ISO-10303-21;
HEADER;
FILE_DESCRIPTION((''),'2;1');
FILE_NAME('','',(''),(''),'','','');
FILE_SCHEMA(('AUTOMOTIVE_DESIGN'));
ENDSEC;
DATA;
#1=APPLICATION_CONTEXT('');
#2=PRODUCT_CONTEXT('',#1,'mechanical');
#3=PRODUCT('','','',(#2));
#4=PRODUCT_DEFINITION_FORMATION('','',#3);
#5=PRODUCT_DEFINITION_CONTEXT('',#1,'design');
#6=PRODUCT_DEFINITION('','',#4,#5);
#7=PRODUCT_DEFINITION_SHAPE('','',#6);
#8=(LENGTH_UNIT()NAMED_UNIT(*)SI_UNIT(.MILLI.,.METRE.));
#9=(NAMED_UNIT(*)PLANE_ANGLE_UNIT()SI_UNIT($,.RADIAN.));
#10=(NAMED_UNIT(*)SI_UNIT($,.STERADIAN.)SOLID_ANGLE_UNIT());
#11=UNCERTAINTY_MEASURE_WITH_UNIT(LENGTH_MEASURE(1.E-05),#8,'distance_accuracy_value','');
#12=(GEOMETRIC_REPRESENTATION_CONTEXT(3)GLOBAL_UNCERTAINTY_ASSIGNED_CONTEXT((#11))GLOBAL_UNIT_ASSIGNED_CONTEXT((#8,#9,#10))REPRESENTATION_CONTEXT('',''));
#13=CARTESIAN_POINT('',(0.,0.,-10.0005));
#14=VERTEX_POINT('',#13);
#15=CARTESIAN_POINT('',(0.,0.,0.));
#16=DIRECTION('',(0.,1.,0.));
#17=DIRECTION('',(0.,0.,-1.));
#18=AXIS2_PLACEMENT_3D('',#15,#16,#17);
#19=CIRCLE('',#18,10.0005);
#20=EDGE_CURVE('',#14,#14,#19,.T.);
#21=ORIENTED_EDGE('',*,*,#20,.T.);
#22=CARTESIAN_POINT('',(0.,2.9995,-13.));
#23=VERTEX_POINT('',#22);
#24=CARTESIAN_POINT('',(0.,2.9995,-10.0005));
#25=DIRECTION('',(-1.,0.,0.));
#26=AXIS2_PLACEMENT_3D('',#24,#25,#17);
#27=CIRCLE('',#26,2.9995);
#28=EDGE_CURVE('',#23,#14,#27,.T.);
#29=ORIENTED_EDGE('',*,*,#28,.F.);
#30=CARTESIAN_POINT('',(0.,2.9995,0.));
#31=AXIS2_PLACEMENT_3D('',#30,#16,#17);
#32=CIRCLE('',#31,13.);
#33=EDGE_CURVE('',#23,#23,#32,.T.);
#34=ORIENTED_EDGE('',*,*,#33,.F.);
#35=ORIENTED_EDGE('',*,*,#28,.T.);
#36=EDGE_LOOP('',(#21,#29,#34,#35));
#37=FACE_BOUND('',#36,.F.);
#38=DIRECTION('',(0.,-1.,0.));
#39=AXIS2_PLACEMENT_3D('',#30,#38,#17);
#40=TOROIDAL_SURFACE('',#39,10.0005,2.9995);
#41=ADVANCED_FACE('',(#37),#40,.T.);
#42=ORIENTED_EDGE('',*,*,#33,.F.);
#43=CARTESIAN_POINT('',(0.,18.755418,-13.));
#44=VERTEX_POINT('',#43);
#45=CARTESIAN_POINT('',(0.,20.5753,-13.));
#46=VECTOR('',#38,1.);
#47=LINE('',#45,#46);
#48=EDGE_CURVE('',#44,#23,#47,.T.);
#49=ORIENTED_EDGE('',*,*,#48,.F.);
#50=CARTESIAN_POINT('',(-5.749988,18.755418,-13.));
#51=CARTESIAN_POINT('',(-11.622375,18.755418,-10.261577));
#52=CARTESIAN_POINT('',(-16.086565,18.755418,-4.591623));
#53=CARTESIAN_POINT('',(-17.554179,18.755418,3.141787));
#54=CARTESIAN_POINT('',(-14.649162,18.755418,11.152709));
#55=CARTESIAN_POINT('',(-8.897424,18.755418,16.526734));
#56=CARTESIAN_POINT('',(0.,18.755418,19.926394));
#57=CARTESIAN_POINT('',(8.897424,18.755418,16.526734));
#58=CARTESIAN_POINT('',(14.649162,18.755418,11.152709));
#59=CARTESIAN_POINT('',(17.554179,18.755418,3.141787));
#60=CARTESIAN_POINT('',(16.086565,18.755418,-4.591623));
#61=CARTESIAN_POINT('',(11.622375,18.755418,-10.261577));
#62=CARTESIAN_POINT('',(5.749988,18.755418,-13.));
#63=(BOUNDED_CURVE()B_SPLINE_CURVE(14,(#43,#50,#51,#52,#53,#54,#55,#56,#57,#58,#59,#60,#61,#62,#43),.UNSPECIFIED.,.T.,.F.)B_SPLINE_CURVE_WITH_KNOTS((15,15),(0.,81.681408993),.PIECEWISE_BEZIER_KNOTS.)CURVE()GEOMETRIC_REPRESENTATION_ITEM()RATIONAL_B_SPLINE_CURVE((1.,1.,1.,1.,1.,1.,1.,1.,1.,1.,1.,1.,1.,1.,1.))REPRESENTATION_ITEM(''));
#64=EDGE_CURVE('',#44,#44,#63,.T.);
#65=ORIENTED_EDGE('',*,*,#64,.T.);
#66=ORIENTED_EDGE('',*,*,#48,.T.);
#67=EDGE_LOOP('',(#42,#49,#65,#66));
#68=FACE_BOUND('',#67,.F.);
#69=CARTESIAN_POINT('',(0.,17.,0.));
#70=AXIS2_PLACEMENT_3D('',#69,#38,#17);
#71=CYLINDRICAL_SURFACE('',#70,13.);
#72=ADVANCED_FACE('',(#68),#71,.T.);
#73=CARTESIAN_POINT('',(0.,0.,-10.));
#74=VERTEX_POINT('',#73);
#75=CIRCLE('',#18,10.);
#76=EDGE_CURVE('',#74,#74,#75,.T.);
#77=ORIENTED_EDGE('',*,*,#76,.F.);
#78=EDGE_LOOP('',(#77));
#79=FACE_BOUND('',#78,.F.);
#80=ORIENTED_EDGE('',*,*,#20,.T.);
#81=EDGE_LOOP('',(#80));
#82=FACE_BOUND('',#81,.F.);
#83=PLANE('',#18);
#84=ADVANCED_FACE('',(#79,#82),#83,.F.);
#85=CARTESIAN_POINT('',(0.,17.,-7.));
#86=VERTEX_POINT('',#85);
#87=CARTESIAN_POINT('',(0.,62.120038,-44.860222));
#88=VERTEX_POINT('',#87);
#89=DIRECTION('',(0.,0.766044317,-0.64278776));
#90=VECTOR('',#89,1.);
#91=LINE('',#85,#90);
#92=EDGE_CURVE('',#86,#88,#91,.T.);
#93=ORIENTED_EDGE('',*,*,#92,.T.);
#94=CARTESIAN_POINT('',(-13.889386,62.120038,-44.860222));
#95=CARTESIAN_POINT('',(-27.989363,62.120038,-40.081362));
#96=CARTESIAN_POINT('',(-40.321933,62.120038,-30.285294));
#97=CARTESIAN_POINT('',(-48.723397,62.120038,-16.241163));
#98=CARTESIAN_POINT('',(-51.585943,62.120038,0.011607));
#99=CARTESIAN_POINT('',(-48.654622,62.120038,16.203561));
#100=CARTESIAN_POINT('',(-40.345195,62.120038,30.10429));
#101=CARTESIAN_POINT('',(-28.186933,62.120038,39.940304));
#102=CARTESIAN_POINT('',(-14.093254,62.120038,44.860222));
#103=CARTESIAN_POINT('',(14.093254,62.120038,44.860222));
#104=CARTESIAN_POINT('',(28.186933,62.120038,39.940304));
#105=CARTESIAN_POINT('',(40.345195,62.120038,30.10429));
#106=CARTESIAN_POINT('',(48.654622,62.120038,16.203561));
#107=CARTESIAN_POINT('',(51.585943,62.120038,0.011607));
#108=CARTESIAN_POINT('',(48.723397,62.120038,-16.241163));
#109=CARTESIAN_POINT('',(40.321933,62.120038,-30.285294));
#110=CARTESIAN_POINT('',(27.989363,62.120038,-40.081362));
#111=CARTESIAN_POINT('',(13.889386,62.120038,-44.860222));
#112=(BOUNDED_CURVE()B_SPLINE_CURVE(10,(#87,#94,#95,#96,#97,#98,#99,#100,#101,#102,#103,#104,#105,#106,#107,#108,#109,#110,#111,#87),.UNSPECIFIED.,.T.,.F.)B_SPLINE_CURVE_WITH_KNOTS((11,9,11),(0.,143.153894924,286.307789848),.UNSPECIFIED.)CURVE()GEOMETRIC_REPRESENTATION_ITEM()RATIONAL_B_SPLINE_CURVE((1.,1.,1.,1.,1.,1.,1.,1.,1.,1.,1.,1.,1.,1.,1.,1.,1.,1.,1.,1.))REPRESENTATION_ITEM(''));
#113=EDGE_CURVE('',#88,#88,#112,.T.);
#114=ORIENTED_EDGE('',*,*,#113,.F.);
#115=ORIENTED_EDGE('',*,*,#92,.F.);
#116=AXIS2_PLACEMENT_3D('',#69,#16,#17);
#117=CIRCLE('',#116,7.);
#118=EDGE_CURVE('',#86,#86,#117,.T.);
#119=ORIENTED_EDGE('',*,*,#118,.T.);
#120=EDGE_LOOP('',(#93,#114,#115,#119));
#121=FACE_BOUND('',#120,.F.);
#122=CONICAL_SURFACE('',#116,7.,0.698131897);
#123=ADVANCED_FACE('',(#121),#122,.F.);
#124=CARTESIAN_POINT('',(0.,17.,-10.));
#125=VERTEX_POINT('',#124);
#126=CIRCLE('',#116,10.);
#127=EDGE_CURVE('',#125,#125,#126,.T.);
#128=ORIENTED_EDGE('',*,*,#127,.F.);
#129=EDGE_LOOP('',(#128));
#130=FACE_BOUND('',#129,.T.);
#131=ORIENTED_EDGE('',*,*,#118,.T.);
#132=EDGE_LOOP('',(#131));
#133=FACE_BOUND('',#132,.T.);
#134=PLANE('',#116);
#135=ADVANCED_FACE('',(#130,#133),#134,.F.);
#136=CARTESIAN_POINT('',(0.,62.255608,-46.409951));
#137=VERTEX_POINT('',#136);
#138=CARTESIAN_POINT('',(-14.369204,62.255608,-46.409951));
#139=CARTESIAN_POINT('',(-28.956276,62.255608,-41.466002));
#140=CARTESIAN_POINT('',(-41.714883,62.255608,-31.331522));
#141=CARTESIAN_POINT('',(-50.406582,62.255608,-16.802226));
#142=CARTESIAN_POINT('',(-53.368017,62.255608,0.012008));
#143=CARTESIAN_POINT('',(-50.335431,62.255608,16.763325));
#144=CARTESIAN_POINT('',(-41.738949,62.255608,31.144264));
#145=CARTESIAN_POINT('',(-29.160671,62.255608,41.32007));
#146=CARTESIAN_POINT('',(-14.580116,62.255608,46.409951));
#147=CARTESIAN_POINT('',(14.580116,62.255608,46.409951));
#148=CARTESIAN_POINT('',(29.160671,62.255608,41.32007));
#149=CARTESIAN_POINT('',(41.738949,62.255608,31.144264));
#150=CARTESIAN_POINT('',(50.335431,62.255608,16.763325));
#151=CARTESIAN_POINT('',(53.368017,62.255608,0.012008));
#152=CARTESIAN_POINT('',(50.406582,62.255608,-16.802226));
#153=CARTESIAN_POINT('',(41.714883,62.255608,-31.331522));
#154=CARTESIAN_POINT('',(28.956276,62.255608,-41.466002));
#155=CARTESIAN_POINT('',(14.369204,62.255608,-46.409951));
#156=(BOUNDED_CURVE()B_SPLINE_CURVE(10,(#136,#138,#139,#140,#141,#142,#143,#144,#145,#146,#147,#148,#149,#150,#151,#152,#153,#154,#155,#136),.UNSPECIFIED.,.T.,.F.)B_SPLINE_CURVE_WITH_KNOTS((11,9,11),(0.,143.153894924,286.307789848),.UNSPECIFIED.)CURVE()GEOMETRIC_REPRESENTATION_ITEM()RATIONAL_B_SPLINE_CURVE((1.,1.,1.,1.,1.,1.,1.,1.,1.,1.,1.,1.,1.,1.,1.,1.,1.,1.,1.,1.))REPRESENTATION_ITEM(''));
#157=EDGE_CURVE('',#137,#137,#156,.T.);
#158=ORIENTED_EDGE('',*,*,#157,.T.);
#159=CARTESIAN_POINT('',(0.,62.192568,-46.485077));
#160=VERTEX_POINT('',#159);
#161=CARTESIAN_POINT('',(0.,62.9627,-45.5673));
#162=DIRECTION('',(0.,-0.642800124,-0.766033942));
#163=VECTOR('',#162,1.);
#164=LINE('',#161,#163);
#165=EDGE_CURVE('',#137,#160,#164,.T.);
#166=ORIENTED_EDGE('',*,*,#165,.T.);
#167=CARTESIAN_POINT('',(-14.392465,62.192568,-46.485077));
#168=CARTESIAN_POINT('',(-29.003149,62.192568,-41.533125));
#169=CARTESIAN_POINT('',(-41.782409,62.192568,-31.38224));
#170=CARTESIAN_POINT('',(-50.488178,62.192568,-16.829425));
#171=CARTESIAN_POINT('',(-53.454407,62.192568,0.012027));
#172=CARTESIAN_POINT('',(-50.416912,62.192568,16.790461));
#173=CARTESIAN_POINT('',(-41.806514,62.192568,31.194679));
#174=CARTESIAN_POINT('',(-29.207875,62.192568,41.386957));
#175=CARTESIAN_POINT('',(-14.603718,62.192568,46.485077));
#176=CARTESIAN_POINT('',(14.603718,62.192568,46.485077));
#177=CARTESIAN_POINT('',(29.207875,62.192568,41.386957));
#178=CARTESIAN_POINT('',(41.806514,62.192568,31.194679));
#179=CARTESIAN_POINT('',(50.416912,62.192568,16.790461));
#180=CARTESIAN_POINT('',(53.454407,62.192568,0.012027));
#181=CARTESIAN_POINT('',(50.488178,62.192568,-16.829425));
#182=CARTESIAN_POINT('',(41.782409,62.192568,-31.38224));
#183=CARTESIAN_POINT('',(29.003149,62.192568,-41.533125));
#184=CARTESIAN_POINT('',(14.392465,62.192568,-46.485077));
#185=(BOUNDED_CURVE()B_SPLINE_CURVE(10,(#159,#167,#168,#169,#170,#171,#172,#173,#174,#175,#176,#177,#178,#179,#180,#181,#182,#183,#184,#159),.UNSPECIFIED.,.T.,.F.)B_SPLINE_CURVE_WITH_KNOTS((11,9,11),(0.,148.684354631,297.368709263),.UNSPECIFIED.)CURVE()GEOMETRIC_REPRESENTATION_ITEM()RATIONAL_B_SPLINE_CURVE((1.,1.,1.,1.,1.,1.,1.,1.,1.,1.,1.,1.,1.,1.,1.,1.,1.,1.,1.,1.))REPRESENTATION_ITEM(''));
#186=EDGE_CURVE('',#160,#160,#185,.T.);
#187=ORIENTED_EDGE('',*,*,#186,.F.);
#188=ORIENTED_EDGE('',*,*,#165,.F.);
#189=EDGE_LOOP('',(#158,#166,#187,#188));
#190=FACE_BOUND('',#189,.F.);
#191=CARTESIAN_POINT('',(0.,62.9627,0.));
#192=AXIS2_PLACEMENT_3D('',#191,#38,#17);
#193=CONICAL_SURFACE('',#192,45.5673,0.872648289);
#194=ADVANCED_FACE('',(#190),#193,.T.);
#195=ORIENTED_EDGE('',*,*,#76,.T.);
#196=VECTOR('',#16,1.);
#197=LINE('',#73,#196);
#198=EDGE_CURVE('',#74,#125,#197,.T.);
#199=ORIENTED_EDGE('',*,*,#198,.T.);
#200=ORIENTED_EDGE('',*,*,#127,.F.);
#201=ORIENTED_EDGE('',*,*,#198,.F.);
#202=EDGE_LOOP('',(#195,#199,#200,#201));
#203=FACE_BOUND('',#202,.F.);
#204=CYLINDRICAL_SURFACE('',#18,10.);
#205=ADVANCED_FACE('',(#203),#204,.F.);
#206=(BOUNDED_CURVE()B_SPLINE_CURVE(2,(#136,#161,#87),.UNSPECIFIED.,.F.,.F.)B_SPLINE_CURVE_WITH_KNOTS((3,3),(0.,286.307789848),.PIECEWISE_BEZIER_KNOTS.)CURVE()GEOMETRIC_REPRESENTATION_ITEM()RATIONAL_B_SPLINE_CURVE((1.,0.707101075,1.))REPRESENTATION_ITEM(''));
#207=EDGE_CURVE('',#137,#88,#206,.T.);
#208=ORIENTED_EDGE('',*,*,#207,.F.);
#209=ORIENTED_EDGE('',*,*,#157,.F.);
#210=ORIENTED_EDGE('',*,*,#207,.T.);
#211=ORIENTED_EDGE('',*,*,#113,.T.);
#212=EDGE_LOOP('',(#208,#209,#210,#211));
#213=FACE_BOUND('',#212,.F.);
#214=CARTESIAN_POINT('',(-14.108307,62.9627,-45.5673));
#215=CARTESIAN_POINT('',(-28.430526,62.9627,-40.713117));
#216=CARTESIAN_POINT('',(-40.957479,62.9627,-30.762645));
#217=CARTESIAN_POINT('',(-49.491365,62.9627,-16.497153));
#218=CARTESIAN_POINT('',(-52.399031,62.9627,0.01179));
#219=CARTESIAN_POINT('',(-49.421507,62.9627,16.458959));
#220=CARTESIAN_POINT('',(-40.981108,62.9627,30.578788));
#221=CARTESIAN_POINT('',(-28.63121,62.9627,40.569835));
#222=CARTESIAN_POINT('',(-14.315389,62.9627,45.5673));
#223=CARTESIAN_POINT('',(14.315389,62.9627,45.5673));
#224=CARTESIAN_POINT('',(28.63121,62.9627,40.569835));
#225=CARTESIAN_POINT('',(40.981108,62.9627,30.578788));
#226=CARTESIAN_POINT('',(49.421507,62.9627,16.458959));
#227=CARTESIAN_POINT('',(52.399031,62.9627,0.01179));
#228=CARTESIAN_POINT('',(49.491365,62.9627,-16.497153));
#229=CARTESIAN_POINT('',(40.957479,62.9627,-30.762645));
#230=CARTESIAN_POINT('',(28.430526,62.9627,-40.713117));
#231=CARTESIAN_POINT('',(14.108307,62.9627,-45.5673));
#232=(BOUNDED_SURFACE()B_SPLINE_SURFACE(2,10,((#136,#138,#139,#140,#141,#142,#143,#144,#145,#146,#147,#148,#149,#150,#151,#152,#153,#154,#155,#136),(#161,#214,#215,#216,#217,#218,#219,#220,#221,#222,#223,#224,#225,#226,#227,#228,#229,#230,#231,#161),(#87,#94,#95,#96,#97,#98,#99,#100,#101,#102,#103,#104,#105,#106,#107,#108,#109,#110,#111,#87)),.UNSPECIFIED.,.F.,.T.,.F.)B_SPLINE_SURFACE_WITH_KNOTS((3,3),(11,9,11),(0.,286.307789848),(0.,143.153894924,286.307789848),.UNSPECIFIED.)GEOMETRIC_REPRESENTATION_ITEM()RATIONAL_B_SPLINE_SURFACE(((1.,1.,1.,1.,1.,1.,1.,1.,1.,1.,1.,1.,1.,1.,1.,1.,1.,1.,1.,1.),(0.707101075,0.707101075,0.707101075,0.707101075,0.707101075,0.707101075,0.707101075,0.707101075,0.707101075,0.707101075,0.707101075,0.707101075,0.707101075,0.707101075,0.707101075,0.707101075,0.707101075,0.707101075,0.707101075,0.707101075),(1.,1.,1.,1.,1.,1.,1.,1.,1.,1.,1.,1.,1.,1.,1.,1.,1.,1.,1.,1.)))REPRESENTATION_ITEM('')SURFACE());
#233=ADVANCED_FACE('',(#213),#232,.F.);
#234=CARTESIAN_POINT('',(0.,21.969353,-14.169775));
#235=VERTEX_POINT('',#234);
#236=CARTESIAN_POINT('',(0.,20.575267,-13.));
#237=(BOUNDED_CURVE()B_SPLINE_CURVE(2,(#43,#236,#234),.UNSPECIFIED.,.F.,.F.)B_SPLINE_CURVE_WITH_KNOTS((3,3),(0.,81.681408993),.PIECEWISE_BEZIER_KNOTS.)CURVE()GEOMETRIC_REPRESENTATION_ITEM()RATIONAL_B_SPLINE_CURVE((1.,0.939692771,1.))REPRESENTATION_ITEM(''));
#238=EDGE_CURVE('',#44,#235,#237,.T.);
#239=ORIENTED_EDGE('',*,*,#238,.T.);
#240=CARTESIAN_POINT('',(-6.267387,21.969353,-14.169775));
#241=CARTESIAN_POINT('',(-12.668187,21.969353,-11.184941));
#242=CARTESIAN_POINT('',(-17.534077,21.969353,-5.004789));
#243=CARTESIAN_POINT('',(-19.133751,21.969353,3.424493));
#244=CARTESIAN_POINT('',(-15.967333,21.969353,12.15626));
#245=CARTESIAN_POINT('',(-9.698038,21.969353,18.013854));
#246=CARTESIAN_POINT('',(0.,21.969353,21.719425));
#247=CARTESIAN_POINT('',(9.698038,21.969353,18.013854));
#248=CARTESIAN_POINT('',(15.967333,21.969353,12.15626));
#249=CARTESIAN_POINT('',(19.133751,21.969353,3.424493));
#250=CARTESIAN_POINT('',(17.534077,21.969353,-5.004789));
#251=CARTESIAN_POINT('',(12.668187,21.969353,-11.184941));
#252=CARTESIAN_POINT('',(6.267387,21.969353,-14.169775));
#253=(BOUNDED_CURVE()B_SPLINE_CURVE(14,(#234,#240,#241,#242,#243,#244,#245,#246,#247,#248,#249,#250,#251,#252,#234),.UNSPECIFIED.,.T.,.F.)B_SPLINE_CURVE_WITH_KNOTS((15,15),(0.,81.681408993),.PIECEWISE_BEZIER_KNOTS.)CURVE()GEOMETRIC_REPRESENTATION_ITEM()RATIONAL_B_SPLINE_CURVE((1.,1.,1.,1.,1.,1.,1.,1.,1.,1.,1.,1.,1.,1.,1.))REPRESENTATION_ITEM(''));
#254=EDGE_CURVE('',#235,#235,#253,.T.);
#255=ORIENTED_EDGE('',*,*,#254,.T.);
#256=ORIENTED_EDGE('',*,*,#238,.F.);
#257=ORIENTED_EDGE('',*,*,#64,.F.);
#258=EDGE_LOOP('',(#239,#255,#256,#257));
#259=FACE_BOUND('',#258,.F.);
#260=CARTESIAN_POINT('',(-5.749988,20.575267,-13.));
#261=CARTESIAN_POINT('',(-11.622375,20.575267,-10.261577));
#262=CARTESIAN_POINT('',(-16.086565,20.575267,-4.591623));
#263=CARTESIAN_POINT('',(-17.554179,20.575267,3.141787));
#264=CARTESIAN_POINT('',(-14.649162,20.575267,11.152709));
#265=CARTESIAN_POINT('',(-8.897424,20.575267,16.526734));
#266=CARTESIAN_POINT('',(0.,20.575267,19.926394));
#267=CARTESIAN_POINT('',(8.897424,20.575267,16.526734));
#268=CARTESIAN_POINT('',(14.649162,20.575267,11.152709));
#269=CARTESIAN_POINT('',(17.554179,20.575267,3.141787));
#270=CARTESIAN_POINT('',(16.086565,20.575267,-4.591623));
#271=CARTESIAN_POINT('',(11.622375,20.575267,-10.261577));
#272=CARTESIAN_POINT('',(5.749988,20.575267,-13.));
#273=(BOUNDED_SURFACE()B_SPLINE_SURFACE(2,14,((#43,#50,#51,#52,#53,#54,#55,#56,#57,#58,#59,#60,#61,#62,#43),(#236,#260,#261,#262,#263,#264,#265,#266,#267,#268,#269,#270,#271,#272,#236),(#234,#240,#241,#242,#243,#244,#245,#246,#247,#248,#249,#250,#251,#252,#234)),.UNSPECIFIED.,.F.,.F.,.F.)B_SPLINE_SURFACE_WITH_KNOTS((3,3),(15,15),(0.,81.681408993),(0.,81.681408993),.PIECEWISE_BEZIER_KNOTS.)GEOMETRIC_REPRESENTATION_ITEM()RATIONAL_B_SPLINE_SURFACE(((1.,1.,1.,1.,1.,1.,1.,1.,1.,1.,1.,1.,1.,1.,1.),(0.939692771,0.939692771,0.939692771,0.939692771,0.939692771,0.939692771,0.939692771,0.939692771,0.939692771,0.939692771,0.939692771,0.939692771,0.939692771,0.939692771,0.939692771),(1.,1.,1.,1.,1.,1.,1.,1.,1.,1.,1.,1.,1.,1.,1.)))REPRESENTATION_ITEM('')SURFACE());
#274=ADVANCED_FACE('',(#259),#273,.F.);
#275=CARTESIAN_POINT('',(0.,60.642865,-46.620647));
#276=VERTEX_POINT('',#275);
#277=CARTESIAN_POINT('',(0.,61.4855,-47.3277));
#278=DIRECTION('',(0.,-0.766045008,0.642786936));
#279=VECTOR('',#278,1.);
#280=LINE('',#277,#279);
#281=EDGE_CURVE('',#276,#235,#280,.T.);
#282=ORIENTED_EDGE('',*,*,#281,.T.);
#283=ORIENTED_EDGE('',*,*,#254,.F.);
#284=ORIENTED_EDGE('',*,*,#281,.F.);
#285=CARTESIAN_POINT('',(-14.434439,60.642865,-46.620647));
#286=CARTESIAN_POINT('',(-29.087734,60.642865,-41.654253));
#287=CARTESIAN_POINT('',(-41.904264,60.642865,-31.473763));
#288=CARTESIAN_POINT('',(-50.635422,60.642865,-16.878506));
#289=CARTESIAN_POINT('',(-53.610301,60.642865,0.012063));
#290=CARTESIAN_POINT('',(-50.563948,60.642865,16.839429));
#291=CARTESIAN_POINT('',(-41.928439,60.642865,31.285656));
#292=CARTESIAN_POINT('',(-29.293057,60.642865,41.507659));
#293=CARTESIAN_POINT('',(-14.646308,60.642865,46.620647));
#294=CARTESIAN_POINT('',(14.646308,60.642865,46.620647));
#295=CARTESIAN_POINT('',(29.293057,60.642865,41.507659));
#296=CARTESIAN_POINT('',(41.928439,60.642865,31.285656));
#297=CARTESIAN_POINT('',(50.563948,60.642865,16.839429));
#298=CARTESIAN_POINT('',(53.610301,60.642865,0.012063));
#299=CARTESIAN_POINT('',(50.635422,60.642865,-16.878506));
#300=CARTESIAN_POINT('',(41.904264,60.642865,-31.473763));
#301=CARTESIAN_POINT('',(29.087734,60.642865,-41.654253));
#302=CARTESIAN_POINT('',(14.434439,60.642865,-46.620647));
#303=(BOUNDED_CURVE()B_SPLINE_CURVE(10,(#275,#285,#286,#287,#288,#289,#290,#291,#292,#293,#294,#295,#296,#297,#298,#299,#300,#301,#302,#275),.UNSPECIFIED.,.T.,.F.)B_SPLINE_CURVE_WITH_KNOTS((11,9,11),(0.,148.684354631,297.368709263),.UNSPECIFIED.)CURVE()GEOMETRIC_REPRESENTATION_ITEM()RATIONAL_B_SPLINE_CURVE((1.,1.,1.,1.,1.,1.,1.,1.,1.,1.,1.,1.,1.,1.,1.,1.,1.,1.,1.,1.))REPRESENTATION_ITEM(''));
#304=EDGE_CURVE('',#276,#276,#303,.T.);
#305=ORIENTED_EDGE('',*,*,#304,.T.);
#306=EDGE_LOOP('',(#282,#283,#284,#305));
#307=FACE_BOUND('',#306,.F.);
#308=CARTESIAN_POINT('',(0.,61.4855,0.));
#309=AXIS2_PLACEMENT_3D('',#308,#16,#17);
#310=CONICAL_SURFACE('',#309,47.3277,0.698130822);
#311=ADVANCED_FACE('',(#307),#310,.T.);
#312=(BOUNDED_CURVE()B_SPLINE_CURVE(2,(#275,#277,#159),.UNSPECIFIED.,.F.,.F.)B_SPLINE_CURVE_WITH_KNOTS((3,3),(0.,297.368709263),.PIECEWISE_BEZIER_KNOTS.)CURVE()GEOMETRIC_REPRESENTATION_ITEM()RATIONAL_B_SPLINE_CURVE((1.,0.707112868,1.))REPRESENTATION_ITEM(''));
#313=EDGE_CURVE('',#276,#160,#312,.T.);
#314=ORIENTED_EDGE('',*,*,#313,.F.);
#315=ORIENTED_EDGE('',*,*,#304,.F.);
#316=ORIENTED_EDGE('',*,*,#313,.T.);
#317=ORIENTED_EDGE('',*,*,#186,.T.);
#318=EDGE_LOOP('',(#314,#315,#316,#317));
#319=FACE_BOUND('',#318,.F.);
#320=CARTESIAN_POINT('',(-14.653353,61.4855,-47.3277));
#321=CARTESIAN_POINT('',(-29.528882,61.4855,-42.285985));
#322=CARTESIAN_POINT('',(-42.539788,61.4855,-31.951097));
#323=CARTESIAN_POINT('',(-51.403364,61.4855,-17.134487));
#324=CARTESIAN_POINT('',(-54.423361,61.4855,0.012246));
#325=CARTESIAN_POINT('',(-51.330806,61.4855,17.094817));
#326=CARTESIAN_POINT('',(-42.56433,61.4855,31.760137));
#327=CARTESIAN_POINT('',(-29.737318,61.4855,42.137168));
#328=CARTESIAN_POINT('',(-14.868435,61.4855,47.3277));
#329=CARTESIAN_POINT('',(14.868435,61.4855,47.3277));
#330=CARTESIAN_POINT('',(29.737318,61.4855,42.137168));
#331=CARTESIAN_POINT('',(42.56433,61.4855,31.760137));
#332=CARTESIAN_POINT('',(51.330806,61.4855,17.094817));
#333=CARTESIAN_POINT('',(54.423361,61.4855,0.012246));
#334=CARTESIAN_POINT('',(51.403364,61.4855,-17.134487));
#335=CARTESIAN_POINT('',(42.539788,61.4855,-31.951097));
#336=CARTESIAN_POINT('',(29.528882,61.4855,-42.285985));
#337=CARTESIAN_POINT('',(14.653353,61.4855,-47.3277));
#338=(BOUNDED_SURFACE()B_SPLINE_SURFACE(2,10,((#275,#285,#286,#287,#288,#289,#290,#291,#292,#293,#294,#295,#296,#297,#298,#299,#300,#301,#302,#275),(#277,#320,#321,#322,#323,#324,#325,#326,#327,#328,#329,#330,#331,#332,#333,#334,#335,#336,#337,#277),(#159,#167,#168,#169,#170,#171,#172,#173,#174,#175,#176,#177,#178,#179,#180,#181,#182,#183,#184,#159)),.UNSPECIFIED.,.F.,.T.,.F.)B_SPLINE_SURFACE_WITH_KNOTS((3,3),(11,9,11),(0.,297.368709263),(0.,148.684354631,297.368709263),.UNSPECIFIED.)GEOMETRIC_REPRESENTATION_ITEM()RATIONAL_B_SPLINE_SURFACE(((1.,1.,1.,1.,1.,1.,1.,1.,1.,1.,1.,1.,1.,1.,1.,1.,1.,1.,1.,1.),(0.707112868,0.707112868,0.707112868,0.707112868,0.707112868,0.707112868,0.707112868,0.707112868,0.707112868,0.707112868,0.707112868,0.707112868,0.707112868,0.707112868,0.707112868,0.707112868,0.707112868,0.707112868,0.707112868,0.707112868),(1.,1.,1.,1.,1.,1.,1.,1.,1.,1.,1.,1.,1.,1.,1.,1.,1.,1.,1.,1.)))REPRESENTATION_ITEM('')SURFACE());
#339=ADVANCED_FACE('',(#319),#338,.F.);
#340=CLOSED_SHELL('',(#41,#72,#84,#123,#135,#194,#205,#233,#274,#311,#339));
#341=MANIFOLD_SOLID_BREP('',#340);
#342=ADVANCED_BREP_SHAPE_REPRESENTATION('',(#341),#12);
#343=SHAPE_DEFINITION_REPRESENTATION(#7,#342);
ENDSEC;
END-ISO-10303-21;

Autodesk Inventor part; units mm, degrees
ref_plane "YZ Plane" through (0, 0, 0) normal (1, 0, 0) x (0, 1, 0)
ref_plane "XZ Plane" through (0, 0, 0) normal (0, 1, 0) x (-1, 0, 0)
ref_plane "XY Plane" through (0, 0, 0) normal (0, 0, 1) x (1, 0, 0)
sketch "Esquisse2" plane through (0, 0, 0) normal (1, 0, 0) x (0, 1, 0)
  line L0 (0, -10) -> (17, -10)
  line L1 (17, -7) -> (62.9627, -45.5673)
  line L2 (17, -7) -> (77, -7) construction
  line L3 (62.9627, -45.5673) -> (61.4855, -47.3277)
  line L4 (61.4855, -47.3277) -> (17, -10)
  line L5 (17, -10) -> (17, -13)
  line L6 (17, -13) -> (20.5753, -13)
  line L7 (17, -13) -> (0, -13)
  line L8 (0, -13) -> (0, -10)
  line L9 (17, -7) -> (17, -10)
  line L10 (0, 0) -> (24.971, 0)
  dimension "d0" = 10
  dimension "d1" = 17
  dimension "d2" = 40
  dimension "d4" = 3
  dimension "d5" = 60
  dimension "d7" = 3
  dimension "d8" = 7
revolve "Révolution1" add sketch "Esquisse2" angle 360 about axis through (0, 0, 0) along (0, 1, 0)
fillet "Congé1" radius 5 1 edges at (0, 20.5753, 13)
fillet "Congé2" radius 3 1 edges at (0, 0, 13)
fillet "Congé3" radius 1.1 2 edges at (0, 61.4855, 47.3277) (0, 62.9627, 45.5673)
properties part number "entonnoir"
